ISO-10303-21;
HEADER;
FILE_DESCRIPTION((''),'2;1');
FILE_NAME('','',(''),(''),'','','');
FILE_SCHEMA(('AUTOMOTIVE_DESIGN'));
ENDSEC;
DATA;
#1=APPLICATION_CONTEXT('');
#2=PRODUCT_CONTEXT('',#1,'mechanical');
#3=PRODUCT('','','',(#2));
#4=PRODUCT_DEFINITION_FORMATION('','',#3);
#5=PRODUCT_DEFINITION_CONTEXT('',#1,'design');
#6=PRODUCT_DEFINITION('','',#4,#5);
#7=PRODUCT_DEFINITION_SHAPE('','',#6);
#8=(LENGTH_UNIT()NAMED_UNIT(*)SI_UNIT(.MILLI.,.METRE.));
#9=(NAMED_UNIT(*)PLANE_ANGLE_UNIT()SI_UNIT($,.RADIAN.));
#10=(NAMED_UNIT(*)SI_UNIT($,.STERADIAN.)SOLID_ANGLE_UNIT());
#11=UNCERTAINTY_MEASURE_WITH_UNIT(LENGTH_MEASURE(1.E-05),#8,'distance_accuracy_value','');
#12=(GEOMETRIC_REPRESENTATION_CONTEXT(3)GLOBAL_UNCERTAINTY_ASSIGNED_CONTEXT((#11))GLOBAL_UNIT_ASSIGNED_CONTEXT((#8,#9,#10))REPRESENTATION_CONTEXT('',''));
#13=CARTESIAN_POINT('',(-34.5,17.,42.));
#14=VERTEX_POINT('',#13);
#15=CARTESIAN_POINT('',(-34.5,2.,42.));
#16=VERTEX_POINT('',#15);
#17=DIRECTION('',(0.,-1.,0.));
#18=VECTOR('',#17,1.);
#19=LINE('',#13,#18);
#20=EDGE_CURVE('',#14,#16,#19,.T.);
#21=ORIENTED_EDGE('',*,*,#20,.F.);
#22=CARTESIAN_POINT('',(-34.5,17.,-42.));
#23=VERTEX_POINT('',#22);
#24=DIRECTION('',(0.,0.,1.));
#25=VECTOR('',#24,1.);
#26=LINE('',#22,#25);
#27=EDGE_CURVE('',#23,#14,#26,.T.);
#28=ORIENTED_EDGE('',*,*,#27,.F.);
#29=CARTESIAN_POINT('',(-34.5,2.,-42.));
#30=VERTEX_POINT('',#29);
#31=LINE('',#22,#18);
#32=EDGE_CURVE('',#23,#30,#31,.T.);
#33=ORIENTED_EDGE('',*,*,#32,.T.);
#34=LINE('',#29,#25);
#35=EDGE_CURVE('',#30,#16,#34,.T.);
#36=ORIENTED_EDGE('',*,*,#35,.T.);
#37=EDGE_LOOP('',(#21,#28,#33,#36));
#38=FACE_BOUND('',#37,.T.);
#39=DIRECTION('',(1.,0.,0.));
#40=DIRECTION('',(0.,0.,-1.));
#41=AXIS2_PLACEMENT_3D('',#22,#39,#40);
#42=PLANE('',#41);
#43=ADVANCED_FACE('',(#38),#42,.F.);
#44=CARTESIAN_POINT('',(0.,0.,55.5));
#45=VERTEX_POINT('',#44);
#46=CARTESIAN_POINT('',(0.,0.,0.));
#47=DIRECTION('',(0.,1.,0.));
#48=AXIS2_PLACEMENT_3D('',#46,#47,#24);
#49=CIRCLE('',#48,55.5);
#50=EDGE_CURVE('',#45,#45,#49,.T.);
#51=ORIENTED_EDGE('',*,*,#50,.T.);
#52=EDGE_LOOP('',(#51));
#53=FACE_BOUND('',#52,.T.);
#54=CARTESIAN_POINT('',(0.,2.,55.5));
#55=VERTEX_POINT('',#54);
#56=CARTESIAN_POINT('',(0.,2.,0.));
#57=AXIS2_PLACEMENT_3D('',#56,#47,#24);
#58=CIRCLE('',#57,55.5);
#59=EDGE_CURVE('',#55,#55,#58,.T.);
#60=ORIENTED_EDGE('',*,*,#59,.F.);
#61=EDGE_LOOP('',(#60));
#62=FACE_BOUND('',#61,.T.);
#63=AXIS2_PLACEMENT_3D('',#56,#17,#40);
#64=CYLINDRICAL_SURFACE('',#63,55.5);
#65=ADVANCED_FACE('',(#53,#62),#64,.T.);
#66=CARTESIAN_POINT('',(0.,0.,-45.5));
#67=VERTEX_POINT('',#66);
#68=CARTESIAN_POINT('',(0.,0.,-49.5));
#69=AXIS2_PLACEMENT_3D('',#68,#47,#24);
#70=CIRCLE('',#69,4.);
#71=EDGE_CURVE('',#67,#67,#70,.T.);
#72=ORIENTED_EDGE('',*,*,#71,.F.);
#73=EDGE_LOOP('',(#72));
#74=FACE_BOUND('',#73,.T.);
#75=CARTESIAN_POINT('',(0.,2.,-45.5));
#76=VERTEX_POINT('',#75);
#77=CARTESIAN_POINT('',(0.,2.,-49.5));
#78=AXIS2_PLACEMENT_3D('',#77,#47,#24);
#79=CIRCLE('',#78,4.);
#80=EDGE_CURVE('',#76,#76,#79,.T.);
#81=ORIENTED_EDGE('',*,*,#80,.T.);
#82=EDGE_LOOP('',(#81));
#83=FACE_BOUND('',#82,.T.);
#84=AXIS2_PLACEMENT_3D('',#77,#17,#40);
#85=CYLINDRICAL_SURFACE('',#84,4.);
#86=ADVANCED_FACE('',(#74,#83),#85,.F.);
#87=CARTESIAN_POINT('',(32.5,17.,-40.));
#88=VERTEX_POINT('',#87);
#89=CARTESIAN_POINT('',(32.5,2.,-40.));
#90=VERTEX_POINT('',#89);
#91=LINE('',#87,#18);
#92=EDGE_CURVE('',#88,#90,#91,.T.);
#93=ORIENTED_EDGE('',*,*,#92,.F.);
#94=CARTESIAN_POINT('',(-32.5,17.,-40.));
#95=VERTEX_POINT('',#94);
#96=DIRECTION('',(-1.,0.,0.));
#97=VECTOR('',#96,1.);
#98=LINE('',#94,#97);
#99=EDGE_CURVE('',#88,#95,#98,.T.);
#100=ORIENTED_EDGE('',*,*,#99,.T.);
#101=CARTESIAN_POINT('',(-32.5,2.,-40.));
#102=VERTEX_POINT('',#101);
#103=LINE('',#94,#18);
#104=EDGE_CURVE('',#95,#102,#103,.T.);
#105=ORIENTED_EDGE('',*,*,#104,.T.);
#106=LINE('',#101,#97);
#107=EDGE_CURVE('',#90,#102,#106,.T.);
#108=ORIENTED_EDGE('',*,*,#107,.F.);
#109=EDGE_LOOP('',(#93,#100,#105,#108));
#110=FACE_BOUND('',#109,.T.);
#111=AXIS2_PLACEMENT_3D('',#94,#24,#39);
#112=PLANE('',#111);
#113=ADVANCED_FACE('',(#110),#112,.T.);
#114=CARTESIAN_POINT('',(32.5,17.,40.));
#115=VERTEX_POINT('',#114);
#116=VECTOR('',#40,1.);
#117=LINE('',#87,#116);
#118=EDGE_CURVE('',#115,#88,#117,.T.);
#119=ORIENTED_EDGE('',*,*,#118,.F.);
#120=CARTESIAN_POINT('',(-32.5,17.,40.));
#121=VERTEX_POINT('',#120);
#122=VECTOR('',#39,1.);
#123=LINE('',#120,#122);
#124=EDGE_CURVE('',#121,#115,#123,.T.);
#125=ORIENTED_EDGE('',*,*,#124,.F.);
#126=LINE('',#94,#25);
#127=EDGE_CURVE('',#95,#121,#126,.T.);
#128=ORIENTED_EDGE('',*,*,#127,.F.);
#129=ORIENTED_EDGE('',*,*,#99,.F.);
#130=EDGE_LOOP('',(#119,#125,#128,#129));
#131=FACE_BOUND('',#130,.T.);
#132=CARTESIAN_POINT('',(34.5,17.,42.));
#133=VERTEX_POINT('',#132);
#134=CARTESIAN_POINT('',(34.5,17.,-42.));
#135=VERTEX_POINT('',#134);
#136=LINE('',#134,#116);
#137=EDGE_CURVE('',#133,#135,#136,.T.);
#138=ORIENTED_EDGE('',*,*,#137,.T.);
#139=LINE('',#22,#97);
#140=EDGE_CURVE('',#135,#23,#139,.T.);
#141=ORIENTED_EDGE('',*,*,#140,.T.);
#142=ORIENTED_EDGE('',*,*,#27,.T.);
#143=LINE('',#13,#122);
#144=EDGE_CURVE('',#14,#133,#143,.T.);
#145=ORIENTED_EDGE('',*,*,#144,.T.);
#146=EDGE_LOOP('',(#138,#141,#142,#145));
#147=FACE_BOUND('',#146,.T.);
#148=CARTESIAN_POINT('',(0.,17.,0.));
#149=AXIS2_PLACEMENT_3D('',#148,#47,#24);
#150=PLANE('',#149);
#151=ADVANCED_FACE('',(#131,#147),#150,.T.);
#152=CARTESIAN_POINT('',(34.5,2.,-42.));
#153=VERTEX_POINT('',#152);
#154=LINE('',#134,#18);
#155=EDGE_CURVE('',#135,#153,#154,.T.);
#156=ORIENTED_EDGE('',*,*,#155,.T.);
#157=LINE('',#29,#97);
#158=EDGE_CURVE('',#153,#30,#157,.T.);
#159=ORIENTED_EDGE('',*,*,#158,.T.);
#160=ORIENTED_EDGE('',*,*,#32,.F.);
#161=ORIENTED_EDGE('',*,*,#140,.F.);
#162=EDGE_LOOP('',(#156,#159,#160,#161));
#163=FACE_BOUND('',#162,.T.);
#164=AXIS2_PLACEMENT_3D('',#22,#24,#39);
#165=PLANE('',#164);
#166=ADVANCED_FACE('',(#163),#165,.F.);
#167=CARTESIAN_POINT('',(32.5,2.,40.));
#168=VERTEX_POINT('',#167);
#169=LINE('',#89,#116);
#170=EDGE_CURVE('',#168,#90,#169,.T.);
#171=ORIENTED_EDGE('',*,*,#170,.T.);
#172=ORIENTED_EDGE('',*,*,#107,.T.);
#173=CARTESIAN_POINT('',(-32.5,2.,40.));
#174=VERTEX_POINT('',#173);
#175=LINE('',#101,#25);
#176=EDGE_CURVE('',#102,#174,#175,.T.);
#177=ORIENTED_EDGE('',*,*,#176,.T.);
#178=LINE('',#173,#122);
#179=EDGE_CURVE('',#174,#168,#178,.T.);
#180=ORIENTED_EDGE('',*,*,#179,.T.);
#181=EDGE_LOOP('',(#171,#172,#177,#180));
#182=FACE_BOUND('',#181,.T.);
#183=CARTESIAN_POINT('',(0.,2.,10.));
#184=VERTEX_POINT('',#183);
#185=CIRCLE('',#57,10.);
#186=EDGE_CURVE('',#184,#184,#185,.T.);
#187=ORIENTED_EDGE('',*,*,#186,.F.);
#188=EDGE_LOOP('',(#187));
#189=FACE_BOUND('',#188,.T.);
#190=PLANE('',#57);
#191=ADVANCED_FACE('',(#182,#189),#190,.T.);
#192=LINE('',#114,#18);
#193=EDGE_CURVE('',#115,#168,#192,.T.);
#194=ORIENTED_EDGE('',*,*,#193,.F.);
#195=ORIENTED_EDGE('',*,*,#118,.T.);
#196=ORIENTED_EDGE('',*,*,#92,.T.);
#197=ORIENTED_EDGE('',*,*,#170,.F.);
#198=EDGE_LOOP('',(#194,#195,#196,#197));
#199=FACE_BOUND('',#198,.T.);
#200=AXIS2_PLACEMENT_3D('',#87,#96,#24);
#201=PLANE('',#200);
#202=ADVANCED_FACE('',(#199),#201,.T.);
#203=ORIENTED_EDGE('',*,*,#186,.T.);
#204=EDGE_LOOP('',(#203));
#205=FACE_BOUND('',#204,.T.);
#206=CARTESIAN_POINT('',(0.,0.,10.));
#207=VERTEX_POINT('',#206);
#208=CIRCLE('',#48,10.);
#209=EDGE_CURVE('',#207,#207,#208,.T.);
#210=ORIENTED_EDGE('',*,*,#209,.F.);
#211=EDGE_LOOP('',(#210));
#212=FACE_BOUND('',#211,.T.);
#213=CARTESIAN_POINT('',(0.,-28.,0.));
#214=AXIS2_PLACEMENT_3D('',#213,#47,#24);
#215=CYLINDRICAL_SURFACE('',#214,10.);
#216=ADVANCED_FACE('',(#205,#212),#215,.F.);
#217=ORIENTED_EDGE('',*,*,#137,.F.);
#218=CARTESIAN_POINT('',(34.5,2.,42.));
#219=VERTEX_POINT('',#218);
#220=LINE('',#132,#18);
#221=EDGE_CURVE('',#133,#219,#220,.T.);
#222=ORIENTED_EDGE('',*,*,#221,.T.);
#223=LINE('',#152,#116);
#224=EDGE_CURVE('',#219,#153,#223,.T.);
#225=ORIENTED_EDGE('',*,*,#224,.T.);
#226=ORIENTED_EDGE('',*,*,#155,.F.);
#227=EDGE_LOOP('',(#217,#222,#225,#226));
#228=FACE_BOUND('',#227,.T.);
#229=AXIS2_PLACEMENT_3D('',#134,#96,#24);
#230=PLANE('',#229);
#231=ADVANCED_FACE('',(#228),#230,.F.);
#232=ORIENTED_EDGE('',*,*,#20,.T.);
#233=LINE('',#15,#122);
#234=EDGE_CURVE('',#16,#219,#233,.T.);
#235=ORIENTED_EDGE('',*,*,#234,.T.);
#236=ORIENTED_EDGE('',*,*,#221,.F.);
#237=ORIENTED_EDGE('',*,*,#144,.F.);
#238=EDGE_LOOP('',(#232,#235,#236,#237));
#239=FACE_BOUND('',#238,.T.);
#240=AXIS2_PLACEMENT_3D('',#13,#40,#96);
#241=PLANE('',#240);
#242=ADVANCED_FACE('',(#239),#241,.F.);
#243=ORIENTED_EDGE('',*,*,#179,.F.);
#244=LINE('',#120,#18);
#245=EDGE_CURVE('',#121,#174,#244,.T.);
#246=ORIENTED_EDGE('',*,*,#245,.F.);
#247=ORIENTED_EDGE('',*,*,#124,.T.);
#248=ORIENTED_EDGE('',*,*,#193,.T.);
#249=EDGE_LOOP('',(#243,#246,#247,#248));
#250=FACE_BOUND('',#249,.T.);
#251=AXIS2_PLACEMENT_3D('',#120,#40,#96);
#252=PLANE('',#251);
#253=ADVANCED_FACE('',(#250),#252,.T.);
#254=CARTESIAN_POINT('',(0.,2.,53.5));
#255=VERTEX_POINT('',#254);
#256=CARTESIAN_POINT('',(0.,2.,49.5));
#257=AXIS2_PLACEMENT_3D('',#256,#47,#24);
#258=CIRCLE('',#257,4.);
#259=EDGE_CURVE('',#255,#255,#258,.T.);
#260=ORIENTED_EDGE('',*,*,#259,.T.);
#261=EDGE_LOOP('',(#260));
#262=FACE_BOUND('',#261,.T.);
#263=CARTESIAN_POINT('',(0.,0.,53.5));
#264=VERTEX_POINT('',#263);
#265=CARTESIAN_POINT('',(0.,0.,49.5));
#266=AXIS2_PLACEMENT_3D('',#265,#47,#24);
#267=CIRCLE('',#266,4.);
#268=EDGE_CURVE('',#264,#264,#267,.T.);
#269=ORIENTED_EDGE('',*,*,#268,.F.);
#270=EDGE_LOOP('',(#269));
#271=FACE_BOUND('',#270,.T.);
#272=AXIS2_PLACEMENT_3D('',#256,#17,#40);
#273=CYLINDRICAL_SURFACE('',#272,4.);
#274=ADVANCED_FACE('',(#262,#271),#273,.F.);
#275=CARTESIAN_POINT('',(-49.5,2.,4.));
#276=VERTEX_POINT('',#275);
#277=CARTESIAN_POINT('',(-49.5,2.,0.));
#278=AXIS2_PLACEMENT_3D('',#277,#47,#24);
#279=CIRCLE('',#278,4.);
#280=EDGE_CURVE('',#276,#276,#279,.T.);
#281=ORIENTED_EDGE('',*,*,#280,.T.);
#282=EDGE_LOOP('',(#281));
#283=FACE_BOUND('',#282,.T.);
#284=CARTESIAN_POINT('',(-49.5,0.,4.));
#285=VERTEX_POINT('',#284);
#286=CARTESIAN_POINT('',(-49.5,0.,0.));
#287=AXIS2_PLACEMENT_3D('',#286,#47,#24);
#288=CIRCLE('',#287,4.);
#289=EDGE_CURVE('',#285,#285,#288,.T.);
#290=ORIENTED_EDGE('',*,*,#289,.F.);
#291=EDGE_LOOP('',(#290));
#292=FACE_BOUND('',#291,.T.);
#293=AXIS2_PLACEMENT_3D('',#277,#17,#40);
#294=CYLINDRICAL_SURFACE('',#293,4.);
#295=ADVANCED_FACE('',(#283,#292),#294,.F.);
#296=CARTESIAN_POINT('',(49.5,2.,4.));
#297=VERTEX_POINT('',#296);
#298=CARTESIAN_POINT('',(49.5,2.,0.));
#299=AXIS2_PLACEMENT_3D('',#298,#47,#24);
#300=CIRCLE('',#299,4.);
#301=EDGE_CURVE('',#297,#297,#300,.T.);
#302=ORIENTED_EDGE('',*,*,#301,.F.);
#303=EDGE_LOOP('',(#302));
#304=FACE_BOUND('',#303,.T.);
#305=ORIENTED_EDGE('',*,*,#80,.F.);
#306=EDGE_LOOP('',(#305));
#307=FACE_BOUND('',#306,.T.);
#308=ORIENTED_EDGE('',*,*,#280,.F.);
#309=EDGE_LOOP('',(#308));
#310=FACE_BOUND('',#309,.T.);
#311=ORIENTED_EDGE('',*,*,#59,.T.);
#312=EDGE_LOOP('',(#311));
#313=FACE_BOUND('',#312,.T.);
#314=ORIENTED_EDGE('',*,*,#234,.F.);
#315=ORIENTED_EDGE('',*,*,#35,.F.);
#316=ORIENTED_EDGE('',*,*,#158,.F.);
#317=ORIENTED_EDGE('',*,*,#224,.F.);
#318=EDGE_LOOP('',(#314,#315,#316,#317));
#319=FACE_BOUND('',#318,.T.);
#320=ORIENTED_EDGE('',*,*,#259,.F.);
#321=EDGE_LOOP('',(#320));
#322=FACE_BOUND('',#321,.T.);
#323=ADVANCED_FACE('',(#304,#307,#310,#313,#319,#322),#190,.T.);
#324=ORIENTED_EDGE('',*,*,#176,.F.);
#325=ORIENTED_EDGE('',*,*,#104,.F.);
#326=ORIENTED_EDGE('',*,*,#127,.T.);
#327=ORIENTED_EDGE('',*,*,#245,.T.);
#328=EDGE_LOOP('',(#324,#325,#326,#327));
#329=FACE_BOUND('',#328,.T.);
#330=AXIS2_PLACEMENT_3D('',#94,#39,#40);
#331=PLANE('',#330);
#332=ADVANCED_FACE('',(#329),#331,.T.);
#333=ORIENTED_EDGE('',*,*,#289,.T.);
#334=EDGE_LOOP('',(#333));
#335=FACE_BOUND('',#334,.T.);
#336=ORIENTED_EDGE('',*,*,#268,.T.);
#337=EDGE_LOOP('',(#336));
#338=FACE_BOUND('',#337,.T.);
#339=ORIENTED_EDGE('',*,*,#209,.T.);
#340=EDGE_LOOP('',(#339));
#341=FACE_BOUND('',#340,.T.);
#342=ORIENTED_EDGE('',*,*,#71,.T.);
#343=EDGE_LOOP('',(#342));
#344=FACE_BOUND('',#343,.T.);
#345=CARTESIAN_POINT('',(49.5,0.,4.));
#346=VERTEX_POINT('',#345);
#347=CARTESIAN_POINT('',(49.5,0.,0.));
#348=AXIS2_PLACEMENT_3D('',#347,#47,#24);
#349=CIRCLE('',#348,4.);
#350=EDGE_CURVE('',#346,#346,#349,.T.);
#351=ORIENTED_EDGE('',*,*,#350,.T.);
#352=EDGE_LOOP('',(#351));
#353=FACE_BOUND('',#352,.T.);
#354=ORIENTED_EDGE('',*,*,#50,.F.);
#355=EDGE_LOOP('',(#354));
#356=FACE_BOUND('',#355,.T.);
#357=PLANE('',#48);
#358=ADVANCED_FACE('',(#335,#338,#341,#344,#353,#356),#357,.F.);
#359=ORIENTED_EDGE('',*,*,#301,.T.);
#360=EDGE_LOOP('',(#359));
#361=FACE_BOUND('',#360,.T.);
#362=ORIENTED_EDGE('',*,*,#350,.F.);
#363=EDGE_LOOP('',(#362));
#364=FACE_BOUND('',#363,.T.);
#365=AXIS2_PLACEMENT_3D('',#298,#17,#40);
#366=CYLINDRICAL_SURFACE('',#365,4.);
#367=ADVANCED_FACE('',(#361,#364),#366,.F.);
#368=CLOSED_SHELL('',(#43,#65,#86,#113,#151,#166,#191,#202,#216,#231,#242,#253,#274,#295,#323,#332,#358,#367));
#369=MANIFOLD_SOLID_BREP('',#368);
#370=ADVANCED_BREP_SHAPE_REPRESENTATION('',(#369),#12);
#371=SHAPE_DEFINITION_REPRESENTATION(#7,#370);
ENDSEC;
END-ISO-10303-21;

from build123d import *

# Parameters (mm, degrees)
SKETCH1_R           = 55.5
SKETCH1_R_2         = 4
BOSS_EXTRUDE4_DEPTH = 2
SKETCH6_W           = 69
SKETCH6_H           = 84
SKETCH6_W_2         = 65
SKETCH6_H_2         = 80
BOSS_EXTRUDE5_DEPTH = 15
SKETCH7_R           = 10
CUT_EXTRUDE2_DEPTH  = 30


with BuildPart() as part:
    # Sketch1 → Boss-Extrude4 (new body)
    with BuildSketch(Plane(origin=(0, 0, 0), x_dir=(1, 0, 0), z_dir=(0, 1, 0))):
        with Locations(Location((0, 0, 0), (0, 0, 270))):
            Circle(SKETCH1_R)
        with Locations(Location((0, 49.5, 0), (0, 0, 270))):
            Circle(SKETCH1_R_2, mode=Mode.SUBTRACT)
        with Locations(Location((49.5, 0, 0), (0, 0, 270))):
            Circle(SKETCH1_R_2, mode=Mode.SUBTRACT)
        with Locations(Location((-49.5, 0, 0), (0, 0, 270))):
            Circle(SKETCH1_R_2, mode=Mode.SUBTRACT)
        with Locations(Location((0, -49.5, 0), (0, 0, 270))):
            Circle(SKETCH1_R_2, mode=Mode.SUBTRACT)
    extrude(amount=BOSS_EXTRUDE4_DEPTH)

    # Sketch6 → Boss-Extrude5 (add)
    with BuildSketch(Plane(origin=(0, 2, 0), x_dir=(1, 0, 0), z_dir=(0, 1, 0))):
        Rectangle(SKETCH6_W, SKETCH6_H)
        Rectangle(SKETCH6_W_2, SKETCH6_H_2, mode=Mode.SUBTRACT)
    extrude(amount=BOSS_EXTRUDE5_DEPTH)

    # Sketch7 → Cut-Extrude2 (cut)
    with BuildSketch(Plane(origin=(0, 2, 0), x_dir=(1, 0, 0), z_dir=(0, 1, 0))):
        with Locations(Location((0, 0, 0), (0, 0, 270))):
            Circle(SKETCH7_R)
    extrude(amount=-CUT_EXTRUDE2_DEPTH, mode=Mode.SUBTRACT)


solid = part.part
